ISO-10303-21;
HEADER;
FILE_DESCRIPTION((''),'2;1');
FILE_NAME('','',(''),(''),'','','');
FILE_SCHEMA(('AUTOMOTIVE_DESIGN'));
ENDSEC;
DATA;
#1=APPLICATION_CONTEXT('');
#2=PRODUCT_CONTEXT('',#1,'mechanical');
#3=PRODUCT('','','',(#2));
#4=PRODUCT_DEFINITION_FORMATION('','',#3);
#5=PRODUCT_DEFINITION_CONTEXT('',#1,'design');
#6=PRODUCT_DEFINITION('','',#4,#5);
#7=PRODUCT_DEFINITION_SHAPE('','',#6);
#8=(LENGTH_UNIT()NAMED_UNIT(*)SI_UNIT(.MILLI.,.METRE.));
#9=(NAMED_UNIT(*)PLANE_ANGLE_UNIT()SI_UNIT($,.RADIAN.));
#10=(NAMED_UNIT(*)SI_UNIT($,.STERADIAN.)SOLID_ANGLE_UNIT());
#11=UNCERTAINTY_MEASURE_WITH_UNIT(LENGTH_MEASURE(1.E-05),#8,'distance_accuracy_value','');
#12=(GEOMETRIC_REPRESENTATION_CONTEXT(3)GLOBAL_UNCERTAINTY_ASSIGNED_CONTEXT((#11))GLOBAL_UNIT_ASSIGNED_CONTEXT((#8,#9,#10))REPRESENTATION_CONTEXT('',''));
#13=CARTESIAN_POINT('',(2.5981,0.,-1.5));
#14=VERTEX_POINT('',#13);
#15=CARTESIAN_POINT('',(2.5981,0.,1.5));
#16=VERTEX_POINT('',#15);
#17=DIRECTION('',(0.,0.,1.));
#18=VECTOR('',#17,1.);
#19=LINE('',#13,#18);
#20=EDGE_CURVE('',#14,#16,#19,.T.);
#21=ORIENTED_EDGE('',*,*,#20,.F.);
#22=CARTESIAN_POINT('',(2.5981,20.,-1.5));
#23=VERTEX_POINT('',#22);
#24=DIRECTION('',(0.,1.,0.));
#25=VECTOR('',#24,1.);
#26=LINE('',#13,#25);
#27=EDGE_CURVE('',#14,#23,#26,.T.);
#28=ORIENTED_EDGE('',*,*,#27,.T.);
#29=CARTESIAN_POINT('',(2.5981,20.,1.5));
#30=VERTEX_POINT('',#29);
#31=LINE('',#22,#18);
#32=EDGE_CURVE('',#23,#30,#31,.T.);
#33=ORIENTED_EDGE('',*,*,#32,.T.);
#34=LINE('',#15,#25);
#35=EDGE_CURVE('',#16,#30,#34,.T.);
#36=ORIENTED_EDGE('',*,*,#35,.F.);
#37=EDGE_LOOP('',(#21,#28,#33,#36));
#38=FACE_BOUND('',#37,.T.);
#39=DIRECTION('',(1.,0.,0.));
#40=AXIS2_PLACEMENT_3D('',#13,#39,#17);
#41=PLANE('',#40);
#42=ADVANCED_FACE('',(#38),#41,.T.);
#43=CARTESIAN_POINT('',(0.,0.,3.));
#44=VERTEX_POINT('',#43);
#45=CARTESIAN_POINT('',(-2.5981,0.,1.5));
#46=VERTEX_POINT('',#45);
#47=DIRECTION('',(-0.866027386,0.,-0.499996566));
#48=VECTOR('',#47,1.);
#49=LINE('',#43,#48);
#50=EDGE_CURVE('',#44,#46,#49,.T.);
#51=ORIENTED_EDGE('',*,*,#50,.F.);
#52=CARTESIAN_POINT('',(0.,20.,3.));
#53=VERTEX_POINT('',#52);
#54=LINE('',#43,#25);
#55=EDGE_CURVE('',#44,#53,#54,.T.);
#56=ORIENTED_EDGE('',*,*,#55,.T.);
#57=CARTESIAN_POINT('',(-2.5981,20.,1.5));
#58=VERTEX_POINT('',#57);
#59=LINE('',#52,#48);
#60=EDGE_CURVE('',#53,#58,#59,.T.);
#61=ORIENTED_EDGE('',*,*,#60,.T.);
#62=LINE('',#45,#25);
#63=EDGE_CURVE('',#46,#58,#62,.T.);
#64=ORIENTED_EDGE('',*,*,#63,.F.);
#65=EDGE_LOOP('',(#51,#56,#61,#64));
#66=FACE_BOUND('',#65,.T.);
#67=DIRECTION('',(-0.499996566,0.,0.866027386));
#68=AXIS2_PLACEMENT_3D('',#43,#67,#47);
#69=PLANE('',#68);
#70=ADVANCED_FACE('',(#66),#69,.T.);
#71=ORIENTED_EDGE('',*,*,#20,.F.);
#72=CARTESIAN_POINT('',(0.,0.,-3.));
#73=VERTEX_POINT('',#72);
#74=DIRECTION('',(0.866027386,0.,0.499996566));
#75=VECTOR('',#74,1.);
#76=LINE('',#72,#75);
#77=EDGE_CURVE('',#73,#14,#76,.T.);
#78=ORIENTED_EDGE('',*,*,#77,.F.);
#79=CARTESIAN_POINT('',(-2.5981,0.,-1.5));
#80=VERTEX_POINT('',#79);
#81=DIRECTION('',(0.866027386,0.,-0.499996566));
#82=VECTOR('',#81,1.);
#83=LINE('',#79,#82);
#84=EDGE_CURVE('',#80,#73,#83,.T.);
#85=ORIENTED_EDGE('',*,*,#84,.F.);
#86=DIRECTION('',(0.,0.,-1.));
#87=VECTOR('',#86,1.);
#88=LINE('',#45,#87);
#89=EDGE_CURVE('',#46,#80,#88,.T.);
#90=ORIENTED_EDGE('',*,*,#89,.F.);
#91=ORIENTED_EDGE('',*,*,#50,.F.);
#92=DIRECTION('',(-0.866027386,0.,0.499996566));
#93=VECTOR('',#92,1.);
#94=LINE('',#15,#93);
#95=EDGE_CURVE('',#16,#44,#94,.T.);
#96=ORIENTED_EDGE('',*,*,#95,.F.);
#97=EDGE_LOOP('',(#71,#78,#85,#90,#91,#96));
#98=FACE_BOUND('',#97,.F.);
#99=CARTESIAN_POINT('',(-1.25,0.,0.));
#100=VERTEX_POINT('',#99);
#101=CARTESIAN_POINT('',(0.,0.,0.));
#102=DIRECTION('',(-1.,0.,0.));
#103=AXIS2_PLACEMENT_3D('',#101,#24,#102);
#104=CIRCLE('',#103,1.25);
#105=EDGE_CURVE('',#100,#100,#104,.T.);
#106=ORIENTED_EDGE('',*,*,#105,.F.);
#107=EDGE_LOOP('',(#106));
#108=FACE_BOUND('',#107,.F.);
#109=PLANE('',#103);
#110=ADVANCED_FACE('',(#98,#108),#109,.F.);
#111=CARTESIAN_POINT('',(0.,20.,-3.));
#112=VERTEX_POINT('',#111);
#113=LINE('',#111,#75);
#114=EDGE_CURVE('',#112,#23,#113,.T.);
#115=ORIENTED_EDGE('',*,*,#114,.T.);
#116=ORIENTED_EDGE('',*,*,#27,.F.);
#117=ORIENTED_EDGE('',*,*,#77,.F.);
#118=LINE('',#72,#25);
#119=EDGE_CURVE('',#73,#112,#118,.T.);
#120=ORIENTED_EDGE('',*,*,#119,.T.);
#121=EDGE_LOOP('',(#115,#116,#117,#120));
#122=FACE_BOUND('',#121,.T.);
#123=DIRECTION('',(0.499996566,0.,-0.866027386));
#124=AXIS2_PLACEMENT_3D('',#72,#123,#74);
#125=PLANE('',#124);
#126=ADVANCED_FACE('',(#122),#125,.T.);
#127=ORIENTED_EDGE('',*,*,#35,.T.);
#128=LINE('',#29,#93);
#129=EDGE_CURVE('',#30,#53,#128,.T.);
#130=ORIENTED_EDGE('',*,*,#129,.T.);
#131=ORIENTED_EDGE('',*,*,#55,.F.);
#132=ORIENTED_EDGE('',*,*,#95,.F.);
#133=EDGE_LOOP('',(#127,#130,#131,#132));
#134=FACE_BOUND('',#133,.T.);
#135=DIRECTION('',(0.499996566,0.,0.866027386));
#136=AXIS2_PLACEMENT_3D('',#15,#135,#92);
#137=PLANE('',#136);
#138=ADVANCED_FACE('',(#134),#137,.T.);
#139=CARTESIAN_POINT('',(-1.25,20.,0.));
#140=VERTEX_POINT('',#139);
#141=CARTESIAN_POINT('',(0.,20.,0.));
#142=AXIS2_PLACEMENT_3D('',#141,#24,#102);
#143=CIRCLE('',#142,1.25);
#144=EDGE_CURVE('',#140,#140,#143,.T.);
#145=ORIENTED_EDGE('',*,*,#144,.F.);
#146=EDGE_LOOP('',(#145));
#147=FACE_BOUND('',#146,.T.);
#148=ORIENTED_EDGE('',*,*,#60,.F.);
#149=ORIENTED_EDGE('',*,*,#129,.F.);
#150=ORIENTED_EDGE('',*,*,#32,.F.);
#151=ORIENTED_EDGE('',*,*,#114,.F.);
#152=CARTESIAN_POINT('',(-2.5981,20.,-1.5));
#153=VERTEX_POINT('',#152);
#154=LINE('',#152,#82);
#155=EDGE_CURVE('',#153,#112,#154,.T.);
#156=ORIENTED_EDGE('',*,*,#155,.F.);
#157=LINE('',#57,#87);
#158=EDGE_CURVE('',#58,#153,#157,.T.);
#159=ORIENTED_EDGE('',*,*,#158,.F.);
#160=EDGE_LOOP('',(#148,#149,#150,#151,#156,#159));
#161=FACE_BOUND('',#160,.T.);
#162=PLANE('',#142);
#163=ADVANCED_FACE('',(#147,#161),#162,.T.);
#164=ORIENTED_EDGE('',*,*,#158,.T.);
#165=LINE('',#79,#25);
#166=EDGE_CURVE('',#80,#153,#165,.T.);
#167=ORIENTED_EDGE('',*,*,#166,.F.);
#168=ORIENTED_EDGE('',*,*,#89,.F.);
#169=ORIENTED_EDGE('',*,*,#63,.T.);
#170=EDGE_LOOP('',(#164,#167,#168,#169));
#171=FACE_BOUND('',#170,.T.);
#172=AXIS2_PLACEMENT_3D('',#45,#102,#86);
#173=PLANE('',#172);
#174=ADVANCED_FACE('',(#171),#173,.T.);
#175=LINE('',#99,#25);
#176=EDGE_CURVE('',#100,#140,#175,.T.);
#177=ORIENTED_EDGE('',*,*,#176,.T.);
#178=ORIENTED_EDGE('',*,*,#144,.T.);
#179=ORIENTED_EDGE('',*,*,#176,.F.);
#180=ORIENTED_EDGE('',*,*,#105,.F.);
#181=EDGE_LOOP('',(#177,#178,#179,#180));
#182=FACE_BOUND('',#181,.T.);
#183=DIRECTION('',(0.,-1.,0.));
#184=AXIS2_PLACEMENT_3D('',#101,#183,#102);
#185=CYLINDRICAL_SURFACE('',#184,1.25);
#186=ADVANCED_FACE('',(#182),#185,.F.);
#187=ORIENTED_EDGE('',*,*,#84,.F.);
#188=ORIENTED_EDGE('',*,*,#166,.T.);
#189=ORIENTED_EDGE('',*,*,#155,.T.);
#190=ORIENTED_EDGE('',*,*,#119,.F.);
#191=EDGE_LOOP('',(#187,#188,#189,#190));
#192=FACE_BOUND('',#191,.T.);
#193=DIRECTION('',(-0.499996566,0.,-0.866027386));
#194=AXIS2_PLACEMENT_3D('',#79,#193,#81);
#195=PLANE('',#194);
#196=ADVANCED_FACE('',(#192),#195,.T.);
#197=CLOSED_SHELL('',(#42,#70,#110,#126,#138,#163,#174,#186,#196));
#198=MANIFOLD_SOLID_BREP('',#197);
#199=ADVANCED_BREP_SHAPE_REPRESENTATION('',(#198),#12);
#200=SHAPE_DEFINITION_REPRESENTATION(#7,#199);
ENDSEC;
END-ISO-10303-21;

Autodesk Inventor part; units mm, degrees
ref_plane "YZ Plane" through (0, 0, 0) normal (1, 0, 0) x (0, 1, 0)
ref_plane "XZ Plane" through (0, 0, 0) normal (0, 1, 0) x (-1, 0, 0)
ref_plane "XY Plane" through (0, 0, 0) normal (0, 0, 1) x (1, 0, 0)
sketch "Sketch1" plane through (0, 0, 0) normal (0, 1, 0) x (-1, 0, 0)
  circle A0 centre (0, 0) radius 1.25
  line L0 (0, -3) -> (-2.5981, -1.5)
  line L1 (-2.5981, -1.5) -> (-2.5981, 1.5)
  line L2 (-2.5981, 1.5) -> (0, 3)
  line L3 (0, 3) -> (2.5981, 1.5)
  line L4 (2.5981, 1.5) -> (2.5981, -1.5)
  line L5 (2.5981, -1.5) -> (0, -3)
  dimension "d0" = 2.5
extrude "Extrusion1" add sketch "Sketch1" along normal blind 20
properties part number "Standoff-Hex-20mm"
